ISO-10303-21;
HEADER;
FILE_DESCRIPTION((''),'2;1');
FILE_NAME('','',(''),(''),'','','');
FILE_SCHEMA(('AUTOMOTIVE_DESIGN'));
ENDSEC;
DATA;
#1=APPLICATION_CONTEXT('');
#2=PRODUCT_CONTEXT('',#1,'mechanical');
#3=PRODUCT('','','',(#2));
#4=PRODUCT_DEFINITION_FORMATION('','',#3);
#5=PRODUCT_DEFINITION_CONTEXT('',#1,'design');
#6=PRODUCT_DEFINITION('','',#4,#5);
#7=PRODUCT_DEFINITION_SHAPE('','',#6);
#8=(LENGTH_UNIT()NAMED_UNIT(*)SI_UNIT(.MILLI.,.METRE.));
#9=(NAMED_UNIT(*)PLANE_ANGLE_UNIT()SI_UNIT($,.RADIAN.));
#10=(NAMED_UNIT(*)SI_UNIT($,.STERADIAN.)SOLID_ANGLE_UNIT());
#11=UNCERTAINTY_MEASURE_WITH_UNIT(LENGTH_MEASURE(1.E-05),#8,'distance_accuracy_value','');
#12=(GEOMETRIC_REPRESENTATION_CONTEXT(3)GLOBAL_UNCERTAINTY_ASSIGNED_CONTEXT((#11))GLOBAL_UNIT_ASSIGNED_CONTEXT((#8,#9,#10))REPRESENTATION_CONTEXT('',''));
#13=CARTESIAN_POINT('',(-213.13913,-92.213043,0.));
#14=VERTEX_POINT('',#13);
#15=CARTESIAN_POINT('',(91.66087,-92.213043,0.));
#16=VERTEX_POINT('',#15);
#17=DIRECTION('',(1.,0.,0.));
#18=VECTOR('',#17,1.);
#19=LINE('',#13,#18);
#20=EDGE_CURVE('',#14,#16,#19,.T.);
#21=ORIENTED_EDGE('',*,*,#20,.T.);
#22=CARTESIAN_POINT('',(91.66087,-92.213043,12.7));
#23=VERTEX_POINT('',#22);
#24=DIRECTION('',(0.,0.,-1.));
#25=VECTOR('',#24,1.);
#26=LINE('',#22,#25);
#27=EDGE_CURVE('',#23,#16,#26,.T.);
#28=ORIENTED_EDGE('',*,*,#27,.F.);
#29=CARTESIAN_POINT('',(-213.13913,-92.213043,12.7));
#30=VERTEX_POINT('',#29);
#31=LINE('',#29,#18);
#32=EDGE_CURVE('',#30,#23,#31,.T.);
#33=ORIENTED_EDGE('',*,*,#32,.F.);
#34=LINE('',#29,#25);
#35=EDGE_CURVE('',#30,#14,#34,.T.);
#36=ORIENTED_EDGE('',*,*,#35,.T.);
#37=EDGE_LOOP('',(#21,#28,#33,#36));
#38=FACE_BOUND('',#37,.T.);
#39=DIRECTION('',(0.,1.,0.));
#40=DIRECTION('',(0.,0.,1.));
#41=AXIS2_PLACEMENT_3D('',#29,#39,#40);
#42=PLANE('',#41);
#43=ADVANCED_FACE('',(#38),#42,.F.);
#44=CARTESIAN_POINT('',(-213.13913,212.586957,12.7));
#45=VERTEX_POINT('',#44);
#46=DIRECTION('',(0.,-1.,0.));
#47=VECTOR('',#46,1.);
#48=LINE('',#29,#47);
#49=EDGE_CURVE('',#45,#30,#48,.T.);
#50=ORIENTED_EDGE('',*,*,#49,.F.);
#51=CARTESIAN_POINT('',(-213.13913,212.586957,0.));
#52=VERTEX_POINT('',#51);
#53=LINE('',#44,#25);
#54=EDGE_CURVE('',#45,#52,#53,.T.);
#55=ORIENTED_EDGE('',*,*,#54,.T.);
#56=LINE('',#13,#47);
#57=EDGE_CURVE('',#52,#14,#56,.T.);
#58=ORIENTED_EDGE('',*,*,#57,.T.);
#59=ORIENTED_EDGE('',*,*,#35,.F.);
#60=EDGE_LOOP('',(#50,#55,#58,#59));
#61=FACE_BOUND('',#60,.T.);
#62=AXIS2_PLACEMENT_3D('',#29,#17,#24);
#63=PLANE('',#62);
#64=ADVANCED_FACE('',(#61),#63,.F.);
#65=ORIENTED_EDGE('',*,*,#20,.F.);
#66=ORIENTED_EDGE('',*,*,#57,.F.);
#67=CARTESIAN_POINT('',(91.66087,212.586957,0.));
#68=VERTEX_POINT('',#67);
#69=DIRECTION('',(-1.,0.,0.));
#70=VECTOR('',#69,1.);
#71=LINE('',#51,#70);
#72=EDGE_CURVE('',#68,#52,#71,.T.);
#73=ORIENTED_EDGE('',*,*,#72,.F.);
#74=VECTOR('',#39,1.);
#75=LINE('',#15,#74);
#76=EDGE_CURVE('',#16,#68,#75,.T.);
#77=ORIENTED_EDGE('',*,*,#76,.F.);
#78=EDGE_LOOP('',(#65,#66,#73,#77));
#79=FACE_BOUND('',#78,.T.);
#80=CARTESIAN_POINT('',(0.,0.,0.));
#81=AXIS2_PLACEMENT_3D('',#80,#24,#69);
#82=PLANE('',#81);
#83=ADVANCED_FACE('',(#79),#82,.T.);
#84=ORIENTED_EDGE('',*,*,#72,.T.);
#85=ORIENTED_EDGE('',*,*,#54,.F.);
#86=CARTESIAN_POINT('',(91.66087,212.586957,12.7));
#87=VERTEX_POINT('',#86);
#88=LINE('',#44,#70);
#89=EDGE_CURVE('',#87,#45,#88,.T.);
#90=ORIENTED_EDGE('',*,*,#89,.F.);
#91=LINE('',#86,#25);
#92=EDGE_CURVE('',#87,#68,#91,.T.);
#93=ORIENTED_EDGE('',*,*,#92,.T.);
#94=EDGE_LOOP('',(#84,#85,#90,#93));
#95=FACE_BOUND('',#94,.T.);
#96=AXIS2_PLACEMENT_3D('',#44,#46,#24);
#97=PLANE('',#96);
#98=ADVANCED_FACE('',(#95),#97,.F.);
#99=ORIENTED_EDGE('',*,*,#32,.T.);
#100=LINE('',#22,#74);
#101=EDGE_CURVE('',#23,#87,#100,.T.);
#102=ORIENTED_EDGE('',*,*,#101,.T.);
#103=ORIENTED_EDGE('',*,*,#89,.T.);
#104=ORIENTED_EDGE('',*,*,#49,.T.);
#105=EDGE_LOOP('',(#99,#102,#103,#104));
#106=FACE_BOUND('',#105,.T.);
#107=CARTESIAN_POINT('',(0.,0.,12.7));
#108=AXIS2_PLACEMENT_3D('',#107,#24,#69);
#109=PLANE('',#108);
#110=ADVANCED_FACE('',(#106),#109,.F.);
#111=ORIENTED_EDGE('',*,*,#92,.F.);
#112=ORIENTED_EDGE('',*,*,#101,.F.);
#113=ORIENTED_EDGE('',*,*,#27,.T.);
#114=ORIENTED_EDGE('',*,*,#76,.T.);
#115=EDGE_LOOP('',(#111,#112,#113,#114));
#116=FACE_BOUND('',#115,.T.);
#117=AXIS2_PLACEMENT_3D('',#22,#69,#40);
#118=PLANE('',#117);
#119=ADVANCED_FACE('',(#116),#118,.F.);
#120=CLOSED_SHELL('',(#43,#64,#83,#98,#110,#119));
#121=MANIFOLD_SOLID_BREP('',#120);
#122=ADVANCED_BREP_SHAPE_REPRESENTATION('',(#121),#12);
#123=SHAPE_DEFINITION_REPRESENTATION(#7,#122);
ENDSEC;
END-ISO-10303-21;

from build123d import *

# Parameters (mm, degrees)
SKETCH1_W           = 304.8
SKETCH1_H           = 304.8
BOSS_EXTRUDE1_DEPTH = 12.7


with BuildPart() as part:
    # Sketch1 → Boss-Extrude1 (new body)
    with BuildSketch(Plane.XY):
        with Locations((-60.739130435, 60.186956522)):
            Rectangle(SKETCH1_W, SKETCH1_H)
    extrude(amount=BOSS_EXTRUDE1_DEPTH)


solid = part.part
